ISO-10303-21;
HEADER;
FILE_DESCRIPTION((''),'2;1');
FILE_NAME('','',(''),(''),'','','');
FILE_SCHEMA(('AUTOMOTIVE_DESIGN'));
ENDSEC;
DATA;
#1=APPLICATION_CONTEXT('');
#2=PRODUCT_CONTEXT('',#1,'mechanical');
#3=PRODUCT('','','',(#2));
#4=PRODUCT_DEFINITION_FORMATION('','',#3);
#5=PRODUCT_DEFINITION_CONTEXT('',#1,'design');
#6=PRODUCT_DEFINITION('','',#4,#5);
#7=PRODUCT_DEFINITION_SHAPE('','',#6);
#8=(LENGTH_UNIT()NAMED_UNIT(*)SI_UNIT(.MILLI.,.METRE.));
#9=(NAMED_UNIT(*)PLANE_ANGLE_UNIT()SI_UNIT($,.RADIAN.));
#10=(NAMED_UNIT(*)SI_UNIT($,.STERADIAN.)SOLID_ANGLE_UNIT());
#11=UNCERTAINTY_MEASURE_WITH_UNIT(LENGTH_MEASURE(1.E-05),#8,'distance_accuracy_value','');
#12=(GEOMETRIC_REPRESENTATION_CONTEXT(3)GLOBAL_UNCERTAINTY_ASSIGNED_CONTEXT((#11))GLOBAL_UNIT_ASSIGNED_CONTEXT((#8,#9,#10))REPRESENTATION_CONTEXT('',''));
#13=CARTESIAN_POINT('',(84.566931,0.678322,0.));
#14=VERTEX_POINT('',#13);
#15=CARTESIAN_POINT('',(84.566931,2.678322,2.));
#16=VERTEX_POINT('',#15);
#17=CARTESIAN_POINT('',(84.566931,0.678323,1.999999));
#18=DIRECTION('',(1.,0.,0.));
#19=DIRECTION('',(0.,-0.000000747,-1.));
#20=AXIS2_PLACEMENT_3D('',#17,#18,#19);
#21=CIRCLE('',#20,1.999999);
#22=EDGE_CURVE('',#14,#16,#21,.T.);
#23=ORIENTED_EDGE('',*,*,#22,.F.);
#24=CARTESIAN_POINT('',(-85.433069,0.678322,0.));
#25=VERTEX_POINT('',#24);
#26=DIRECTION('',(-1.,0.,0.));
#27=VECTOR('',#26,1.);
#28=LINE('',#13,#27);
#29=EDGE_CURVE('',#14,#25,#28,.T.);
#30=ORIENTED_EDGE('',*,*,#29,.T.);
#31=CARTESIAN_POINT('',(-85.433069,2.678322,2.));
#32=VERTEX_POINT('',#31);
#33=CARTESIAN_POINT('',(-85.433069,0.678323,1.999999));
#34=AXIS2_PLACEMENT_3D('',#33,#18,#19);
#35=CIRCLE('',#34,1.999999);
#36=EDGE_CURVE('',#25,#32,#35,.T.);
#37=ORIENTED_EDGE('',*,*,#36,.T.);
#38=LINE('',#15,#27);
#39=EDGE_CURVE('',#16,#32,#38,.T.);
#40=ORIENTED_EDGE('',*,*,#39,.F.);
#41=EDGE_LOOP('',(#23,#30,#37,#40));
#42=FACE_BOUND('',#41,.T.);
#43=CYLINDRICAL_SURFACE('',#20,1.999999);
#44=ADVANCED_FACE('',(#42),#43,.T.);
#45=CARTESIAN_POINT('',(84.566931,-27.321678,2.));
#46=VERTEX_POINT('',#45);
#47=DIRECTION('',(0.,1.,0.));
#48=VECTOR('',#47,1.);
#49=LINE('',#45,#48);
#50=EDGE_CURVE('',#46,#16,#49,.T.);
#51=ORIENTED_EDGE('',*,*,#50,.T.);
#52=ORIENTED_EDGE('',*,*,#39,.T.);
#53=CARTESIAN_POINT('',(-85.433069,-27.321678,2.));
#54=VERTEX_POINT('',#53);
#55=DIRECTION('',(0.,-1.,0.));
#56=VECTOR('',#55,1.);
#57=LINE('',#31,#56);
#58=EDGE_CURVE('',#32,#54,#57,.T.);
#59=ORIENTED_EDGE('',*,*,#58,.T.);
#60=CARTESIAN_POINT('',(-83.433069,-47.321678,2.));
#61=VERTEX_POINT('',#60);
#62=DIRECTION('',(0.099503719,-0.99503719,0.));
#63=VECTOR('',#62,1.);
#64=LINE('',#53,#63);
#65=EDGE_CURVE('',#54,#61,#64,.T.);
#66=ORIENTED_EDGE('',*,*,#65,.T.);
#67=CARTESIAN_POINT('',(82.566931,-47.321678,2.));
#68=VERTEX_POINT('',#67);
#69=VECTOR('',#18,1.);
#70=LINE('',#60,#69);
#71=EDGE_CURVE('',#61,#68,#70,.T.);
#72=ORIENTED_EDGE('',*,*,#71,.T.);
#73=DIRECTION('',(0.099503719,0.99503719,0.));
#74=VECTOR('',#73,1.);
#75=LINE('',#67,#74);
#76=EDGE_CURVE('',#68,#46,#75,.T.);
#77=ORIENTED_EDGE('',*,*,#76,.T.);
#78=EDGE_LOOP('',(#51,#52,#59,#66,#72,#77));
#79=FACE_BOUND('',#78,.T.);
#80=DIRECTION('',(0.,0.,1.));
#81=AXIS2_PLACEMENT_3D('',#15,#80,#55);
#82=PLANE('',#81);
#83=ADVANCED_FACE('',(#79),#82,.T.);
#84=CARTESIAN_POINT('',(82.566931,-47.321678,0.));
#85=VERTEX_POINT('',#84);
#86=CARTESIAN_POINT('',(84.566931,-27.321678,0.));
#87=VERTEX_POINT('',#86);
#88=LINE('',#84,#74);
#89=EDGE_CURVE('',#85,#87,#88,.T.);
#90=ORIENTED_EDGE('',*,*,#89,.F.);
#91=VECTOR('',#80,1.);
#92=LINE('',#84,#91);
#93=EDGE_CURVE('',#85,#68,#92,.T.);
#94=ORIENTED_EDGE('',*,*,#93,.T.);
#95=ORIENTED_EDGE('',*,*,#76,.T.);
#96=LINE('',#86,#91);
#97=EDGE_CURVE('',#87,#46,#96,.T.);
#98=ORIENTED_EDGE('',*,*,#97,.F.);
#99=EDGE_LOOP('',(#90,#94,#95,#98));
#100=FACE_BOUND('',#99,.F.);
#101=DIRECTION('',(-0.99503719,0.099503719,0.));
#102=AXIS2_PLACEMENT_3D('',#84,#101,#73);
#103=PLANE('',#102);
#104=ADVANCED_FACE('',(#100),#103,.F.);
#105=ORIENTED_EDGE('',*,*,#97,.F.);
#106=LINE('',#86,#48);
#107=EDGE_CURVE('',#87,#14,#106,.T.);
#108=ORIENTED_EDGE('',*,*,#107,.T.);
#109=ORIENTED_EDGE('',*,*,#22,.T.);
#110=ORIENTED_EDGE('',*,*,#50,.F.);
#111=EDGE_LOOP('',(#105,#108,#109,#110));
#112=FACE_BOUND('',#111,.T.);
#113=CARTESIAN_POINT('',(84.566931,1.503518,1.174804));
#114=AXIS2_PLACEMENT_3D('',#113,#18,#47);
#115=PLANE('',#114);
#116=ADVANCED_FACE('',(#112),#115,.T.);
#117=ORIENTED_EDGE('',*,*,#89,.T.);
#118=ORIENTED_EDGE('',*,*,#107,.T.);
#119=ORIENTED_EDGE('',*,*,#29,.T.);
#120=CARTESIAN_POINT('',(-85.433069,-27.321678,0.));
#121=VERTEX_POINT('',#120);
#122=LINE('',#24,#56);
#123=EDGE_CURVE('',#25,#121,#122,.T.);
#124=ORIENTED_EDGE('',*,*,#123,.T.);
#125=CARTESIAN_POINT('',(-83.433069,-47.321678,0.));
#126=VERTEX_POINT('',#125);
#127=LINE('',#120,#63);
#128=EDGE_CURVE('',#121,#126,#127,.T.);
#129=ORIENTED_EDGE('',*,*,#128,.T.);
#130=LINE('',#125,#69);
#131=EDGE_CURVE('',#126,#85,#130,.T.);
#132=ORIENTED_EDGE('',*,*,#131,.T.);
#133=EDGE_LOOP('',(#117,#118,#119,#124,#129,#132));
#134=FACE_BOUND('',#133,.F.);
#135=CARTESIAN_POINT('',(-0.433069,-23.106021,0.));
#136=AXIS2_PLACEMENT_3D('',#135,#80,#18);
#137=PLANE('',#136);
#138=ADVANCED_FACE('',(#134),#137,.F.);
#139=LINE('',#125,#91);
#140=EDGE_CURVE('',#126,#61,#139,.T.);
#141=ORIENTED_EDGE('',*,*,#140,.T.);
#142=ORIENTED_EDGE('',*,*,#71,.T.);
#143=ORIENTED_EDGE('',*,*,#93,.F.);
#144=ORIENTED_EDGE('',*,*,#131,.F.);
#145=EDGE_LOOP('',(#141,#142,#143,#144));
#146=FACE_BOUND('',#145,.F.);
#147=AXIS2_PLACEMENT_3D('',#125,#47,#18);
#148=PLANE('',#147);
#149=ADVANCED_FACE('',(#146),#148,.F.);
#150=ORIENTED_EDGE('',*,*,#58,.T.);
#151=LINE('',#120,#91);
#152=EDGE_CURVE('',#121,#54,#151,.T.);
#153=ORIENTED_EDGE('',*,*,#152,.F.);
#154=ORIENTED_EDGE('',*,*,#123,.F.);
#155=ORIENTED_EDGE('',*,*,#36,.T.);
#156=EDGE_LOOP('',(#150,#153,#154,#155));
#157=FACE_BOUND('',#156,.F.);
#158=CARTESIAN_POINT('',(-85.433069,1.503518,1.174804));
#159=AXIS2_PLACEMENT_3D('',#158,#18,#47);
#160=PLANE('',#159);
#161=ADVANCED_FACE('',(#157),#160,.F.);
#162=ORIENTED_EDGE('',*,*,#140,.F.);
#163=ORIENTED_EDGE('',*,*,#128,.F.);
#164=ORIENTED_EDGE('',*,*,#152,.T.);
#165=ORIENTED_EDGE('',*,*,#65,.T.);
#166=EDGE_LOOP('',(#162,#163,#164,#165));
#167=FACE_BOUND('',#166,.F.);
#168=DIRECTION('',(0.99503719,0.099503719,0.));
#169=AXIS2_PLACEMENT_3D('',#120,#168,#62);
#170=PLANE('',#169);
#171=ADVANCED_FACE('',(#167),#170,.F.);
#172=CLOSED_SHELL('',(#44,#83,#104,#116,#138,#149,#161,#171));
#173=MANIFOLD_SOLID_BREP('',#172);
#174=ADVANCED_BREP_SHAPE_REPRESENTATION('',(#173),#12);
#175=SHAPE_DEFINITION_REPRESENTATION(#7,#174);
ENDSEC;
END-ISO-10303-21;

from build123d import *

# Parameters (mm, degrees)
F1_DEPTH = 2
F3_DEPTH = 170


with BuildPart() as f1:
    # F0 (on Top) → F1 (new body)
    with BuildSketch(Plane.XY):
        Polygon((84.566931, 0.678322), (-85.433069, 0.678322), (-85.433069, -27.321678), (-83.433069, -47.321678), (82.566931, -47.321678), (84.566931, -27.321678), align=None)
    extrude(amount=F1_DEPTH)

    # F2 (on face) → F3 (join)
    with BuildSketch(Plane.YZ.offset(84.566931)):
        with BuildLine():
            Line((0.678322, 2), (0.678322, 0))
            ThreePointArc((0.678322, 0), (2.092536, 0.585786), (2.678322, 2))
            Line((2.678322, 2), (0.678322, 2))
        make_face()
    extrude(amount=-F3_DEPTH)


solid = f1.part
